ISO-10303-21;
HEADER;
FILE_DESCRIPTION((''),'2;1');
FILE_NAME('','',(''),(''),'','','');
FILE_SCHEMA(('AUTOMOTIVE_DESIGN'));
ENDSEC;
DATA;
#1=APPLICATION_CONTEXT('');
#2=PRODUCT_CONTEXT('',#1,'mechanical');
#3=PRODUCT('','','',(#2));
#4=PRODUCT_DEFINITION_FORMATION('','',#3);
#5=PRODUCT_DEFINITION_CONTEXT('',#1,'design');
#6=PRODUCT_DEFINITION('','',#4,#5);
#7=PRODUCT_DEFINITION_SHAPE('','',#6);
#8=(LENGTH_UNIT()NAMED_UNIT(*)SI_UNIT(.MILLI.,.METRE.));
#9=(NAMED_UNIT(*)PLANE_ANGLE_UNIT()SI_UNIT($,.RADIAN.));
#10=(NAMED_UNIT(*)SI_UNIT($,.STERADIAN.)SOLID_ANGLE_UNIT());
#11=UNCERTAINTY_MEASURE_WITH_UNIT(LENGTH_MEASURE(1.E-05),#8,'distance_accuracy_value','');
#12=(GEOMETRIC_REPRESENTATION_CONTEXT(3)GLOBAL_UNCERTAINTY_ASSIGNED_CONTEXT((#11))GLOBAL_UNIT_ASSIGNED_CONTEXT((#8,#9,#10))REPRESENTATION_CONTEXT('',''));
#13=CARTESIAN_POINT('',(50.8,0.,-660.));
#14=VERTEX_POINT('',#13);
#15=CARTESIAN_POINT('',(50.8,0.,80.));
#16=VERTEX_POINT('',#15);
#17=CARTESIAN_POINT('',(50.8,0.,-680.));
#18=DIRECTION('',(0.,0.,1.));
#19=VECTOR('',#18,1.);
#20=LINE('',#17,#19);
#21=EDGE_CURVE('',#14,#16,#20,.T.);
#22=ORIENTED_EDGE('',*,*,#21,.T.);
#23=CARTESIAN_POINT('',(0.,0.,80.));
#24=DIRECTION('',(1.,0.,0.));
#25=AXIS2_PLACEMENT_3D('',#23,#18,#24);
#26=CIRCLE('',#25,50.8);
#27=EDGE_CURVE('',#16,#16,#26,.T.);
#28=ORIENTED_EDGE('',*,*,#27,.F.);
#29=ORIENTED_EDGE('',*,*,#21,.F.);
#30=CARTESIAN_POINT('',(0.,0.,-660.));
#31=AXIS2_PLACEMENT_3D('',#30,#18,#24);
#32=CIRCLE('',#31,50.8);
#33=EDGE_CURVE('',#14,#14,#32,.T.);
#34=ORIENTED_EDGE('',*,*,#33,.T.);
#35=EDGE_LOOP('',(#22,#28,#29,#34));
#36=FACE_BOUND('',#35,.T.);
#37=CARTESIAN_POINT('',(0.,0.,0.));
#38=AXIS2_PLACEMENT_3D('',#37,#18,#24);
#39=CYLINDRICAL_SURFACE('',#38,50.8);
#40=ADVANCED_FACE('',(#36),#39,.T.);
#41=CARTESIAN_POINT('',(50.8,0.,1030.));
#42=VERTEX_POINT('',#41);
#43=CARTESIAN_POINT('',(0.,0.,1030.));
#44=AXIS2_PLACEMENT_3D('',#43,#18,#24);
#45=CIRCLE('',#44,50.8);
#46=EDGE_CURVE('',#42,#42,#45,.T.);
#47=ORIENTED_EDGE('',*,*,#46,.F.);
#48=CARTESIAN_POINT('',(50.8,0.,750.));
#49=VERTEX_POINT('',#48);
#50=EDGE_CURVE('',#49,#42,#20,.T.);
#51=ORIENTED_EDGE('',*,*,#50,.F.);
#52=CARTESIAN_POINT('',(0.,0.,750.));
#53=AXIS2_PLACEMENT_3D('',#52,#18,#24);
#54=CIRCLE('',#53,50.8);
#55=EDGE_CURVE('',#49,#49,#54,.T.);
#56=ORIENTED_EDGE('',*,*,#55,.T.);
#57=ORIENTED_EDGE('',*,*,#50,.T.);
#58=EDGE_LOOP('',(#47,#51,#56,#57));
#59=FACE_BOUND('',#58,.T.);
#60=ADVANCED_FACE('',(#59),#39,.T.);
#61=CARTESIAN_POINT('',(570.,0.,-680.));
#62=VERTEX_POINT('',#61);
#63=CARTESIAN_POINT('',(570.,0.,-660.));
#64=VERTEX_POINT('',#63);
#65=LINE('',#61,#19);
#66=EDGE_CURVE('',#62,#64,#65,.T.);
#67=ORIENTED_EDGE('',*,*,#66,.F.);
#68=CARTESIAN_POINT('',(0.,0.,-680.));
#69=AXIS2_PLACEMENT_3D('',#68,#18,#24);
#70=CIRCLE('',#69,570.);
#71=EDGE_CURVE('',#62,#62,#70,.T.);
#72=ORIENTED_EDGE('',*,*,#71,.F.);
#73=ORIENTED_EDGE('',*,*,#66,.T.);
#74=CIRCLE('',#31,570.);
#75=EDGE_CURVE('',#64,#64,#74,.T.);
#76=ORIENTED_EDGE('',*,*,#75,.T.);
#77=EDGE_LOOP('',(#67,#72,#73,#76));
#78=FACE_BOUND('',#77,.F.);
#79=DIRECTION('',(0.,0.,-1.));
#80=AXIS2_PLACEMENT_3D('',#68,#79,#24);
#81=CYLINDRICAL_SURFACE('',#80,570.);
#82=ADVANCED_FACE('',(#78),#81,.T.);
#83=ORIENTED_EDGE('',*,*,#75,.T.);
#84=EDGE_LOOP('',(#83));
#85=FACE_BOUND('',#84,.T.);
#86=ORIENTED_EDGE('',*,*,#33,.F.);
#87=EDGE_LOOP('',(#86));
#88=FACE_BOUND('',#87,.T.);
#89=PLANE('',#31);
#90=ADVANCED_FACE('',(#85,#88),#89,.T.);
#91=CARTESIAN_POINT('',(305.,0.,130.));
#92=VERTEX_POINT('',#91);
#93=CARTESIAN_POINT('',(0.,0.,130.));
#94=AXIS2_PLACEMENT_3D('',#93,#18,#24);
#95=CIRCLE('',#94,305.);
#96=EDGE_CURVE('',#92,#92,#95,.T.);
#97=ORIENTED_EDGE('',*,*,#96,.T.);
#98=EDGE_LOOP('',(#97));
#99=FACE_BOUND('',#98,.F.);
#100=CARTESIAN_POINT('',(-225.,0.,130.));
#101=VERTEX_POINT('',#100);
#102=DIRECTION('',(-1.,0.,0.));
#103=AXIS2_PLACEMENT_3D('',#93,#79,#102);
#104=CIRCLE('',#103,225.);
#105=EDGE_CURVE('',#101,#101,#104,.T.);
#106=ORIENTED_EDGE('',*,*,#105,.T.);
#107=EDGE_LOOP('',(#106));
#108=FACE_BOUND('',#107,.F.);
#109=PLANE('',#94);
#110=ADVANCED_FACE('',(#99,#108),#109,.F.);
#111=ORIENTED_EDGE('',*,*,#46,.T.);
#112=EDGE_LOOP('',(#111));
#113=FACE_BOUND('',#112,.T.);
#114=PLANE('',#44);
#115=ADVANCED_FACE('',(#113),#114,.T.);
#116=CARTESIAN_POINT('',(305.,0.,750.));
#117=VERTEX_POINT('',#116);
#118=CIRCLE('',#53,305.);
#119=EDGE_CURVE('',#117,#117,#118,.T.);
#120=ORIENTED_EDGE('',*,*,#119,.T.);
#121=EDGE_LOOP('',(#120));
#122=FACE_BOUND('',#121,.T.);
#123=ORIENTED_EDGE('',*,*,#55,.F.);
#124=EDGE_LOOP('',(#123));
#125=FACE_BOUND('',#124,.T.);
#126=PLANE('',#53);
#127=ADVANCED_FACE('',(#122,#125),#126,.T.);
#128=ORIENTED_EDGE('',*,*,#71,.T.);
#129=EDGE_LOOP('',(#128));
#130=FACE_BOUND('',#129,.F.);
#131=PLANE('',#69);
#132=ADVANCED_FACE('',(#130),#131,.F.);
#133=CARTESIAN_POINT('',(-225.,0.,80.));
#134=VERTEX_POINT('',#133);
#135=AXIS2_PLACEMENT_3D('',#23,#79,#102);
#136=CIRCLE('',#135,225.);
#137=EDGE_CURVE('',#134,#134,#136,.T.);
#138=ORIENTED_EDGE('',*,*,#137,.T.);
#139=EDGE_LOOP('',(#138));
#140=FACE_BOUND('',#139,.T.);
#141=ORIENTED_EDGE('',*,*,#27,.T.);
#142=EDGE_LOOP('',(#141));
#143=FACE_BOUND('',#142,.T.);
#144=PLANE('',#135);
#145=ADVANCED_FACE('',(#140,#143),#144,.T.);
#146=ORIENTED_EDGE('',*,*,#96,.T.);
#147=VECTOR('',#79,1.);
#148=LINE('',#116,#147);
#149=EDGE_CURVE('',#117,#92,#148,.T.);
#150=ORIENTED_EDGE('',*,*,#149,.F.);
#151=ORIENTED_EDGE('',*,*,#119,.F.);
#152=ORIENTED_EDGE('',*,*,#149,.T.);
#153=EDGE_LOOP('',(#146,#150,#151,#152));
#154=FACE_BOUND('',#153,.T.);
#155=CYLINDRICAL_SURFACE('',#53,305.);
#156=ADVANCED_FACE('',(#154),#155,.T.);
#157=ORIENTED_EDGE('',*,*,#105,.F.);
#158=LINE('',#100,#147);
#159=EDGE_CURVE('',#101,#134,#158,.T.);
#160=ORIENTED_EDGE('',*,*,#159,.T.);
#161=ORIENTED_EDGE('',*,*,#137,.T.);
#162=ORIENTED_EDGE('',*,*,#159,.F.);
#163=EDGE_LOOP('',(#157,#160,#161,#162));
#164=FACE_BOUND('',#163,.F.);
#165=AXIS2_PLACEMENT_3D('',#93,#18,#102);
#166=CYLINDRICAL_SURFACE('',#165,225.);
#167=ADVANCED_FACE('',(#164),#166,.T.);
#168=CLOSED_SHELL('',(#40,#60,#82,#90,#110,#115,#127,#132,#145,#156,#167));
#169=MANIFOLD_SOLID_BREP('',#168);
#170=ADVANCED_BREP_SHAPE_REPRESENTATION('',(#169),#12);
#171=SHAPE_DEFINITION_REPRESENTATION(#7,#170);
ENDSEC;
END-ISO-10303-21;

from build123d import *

# Parameters (mm, degrees)
SKETCH1_R                = 50.8
BOSS_EXTRUDE1_DEPTH      = 1030
BOSS_EXTRUDE1_DEPTH_BACK = 680
SKETCH2_R                = 570
BOSS_EXTRUDE2_DEPTH      = 20
BOSS_EXTRUDE3_START      = -280
SKETCH7_R                = 305
BOSS_EXTRUDE3_DEPTH      = 620
SKETCH8_R                = 225
BOSS_EXTRUDE4_DEPTH      = 50


with BuildPart() as part:
    # Sketch1 → Boss-Extrude1 (new body, two sides)
    with BuildSketch(Plane.XY) as boss_extrude1_sk:
        Circle(SKETCH1_R)
    extrude(amount=BOSS_EXTRUDE1_DEPTH)
    extrude(boss_extrude1_sk.sketch, amount=-BOSS_EXTRUDE1_DEPTH_BACK)

    # Sketch2 → Boss-Extrude2 (add)
    with BuildSketch(Plane.XY.offset(-680)):
        Circle(SKETCH2_R)
    extrude(amount=BOSS_EXTRUDE2_DEPTH)

    # Sketch7 → Boss-Extrude3 (add)
    with BuildSketch(Plane.XY.offset(1030).offset(BOSS_EXTRUDE3_START)):
        Circle(SKETCH7_R)
    extrude(amount=-BOSS_EXTRUDE3_DEPTH)

    # Sketch8 → Boss-Extrude4 (add)
    with BuildSketch(Plane(origin=(0, 0, 130), x_dir=(-1, 0, 0), z_dir=(0, 0, -1))):
        Circle(SKETCH8_R)
    extrude(amount=BOSS_EXTRUDE4_DEPTH)


solid = part.part
